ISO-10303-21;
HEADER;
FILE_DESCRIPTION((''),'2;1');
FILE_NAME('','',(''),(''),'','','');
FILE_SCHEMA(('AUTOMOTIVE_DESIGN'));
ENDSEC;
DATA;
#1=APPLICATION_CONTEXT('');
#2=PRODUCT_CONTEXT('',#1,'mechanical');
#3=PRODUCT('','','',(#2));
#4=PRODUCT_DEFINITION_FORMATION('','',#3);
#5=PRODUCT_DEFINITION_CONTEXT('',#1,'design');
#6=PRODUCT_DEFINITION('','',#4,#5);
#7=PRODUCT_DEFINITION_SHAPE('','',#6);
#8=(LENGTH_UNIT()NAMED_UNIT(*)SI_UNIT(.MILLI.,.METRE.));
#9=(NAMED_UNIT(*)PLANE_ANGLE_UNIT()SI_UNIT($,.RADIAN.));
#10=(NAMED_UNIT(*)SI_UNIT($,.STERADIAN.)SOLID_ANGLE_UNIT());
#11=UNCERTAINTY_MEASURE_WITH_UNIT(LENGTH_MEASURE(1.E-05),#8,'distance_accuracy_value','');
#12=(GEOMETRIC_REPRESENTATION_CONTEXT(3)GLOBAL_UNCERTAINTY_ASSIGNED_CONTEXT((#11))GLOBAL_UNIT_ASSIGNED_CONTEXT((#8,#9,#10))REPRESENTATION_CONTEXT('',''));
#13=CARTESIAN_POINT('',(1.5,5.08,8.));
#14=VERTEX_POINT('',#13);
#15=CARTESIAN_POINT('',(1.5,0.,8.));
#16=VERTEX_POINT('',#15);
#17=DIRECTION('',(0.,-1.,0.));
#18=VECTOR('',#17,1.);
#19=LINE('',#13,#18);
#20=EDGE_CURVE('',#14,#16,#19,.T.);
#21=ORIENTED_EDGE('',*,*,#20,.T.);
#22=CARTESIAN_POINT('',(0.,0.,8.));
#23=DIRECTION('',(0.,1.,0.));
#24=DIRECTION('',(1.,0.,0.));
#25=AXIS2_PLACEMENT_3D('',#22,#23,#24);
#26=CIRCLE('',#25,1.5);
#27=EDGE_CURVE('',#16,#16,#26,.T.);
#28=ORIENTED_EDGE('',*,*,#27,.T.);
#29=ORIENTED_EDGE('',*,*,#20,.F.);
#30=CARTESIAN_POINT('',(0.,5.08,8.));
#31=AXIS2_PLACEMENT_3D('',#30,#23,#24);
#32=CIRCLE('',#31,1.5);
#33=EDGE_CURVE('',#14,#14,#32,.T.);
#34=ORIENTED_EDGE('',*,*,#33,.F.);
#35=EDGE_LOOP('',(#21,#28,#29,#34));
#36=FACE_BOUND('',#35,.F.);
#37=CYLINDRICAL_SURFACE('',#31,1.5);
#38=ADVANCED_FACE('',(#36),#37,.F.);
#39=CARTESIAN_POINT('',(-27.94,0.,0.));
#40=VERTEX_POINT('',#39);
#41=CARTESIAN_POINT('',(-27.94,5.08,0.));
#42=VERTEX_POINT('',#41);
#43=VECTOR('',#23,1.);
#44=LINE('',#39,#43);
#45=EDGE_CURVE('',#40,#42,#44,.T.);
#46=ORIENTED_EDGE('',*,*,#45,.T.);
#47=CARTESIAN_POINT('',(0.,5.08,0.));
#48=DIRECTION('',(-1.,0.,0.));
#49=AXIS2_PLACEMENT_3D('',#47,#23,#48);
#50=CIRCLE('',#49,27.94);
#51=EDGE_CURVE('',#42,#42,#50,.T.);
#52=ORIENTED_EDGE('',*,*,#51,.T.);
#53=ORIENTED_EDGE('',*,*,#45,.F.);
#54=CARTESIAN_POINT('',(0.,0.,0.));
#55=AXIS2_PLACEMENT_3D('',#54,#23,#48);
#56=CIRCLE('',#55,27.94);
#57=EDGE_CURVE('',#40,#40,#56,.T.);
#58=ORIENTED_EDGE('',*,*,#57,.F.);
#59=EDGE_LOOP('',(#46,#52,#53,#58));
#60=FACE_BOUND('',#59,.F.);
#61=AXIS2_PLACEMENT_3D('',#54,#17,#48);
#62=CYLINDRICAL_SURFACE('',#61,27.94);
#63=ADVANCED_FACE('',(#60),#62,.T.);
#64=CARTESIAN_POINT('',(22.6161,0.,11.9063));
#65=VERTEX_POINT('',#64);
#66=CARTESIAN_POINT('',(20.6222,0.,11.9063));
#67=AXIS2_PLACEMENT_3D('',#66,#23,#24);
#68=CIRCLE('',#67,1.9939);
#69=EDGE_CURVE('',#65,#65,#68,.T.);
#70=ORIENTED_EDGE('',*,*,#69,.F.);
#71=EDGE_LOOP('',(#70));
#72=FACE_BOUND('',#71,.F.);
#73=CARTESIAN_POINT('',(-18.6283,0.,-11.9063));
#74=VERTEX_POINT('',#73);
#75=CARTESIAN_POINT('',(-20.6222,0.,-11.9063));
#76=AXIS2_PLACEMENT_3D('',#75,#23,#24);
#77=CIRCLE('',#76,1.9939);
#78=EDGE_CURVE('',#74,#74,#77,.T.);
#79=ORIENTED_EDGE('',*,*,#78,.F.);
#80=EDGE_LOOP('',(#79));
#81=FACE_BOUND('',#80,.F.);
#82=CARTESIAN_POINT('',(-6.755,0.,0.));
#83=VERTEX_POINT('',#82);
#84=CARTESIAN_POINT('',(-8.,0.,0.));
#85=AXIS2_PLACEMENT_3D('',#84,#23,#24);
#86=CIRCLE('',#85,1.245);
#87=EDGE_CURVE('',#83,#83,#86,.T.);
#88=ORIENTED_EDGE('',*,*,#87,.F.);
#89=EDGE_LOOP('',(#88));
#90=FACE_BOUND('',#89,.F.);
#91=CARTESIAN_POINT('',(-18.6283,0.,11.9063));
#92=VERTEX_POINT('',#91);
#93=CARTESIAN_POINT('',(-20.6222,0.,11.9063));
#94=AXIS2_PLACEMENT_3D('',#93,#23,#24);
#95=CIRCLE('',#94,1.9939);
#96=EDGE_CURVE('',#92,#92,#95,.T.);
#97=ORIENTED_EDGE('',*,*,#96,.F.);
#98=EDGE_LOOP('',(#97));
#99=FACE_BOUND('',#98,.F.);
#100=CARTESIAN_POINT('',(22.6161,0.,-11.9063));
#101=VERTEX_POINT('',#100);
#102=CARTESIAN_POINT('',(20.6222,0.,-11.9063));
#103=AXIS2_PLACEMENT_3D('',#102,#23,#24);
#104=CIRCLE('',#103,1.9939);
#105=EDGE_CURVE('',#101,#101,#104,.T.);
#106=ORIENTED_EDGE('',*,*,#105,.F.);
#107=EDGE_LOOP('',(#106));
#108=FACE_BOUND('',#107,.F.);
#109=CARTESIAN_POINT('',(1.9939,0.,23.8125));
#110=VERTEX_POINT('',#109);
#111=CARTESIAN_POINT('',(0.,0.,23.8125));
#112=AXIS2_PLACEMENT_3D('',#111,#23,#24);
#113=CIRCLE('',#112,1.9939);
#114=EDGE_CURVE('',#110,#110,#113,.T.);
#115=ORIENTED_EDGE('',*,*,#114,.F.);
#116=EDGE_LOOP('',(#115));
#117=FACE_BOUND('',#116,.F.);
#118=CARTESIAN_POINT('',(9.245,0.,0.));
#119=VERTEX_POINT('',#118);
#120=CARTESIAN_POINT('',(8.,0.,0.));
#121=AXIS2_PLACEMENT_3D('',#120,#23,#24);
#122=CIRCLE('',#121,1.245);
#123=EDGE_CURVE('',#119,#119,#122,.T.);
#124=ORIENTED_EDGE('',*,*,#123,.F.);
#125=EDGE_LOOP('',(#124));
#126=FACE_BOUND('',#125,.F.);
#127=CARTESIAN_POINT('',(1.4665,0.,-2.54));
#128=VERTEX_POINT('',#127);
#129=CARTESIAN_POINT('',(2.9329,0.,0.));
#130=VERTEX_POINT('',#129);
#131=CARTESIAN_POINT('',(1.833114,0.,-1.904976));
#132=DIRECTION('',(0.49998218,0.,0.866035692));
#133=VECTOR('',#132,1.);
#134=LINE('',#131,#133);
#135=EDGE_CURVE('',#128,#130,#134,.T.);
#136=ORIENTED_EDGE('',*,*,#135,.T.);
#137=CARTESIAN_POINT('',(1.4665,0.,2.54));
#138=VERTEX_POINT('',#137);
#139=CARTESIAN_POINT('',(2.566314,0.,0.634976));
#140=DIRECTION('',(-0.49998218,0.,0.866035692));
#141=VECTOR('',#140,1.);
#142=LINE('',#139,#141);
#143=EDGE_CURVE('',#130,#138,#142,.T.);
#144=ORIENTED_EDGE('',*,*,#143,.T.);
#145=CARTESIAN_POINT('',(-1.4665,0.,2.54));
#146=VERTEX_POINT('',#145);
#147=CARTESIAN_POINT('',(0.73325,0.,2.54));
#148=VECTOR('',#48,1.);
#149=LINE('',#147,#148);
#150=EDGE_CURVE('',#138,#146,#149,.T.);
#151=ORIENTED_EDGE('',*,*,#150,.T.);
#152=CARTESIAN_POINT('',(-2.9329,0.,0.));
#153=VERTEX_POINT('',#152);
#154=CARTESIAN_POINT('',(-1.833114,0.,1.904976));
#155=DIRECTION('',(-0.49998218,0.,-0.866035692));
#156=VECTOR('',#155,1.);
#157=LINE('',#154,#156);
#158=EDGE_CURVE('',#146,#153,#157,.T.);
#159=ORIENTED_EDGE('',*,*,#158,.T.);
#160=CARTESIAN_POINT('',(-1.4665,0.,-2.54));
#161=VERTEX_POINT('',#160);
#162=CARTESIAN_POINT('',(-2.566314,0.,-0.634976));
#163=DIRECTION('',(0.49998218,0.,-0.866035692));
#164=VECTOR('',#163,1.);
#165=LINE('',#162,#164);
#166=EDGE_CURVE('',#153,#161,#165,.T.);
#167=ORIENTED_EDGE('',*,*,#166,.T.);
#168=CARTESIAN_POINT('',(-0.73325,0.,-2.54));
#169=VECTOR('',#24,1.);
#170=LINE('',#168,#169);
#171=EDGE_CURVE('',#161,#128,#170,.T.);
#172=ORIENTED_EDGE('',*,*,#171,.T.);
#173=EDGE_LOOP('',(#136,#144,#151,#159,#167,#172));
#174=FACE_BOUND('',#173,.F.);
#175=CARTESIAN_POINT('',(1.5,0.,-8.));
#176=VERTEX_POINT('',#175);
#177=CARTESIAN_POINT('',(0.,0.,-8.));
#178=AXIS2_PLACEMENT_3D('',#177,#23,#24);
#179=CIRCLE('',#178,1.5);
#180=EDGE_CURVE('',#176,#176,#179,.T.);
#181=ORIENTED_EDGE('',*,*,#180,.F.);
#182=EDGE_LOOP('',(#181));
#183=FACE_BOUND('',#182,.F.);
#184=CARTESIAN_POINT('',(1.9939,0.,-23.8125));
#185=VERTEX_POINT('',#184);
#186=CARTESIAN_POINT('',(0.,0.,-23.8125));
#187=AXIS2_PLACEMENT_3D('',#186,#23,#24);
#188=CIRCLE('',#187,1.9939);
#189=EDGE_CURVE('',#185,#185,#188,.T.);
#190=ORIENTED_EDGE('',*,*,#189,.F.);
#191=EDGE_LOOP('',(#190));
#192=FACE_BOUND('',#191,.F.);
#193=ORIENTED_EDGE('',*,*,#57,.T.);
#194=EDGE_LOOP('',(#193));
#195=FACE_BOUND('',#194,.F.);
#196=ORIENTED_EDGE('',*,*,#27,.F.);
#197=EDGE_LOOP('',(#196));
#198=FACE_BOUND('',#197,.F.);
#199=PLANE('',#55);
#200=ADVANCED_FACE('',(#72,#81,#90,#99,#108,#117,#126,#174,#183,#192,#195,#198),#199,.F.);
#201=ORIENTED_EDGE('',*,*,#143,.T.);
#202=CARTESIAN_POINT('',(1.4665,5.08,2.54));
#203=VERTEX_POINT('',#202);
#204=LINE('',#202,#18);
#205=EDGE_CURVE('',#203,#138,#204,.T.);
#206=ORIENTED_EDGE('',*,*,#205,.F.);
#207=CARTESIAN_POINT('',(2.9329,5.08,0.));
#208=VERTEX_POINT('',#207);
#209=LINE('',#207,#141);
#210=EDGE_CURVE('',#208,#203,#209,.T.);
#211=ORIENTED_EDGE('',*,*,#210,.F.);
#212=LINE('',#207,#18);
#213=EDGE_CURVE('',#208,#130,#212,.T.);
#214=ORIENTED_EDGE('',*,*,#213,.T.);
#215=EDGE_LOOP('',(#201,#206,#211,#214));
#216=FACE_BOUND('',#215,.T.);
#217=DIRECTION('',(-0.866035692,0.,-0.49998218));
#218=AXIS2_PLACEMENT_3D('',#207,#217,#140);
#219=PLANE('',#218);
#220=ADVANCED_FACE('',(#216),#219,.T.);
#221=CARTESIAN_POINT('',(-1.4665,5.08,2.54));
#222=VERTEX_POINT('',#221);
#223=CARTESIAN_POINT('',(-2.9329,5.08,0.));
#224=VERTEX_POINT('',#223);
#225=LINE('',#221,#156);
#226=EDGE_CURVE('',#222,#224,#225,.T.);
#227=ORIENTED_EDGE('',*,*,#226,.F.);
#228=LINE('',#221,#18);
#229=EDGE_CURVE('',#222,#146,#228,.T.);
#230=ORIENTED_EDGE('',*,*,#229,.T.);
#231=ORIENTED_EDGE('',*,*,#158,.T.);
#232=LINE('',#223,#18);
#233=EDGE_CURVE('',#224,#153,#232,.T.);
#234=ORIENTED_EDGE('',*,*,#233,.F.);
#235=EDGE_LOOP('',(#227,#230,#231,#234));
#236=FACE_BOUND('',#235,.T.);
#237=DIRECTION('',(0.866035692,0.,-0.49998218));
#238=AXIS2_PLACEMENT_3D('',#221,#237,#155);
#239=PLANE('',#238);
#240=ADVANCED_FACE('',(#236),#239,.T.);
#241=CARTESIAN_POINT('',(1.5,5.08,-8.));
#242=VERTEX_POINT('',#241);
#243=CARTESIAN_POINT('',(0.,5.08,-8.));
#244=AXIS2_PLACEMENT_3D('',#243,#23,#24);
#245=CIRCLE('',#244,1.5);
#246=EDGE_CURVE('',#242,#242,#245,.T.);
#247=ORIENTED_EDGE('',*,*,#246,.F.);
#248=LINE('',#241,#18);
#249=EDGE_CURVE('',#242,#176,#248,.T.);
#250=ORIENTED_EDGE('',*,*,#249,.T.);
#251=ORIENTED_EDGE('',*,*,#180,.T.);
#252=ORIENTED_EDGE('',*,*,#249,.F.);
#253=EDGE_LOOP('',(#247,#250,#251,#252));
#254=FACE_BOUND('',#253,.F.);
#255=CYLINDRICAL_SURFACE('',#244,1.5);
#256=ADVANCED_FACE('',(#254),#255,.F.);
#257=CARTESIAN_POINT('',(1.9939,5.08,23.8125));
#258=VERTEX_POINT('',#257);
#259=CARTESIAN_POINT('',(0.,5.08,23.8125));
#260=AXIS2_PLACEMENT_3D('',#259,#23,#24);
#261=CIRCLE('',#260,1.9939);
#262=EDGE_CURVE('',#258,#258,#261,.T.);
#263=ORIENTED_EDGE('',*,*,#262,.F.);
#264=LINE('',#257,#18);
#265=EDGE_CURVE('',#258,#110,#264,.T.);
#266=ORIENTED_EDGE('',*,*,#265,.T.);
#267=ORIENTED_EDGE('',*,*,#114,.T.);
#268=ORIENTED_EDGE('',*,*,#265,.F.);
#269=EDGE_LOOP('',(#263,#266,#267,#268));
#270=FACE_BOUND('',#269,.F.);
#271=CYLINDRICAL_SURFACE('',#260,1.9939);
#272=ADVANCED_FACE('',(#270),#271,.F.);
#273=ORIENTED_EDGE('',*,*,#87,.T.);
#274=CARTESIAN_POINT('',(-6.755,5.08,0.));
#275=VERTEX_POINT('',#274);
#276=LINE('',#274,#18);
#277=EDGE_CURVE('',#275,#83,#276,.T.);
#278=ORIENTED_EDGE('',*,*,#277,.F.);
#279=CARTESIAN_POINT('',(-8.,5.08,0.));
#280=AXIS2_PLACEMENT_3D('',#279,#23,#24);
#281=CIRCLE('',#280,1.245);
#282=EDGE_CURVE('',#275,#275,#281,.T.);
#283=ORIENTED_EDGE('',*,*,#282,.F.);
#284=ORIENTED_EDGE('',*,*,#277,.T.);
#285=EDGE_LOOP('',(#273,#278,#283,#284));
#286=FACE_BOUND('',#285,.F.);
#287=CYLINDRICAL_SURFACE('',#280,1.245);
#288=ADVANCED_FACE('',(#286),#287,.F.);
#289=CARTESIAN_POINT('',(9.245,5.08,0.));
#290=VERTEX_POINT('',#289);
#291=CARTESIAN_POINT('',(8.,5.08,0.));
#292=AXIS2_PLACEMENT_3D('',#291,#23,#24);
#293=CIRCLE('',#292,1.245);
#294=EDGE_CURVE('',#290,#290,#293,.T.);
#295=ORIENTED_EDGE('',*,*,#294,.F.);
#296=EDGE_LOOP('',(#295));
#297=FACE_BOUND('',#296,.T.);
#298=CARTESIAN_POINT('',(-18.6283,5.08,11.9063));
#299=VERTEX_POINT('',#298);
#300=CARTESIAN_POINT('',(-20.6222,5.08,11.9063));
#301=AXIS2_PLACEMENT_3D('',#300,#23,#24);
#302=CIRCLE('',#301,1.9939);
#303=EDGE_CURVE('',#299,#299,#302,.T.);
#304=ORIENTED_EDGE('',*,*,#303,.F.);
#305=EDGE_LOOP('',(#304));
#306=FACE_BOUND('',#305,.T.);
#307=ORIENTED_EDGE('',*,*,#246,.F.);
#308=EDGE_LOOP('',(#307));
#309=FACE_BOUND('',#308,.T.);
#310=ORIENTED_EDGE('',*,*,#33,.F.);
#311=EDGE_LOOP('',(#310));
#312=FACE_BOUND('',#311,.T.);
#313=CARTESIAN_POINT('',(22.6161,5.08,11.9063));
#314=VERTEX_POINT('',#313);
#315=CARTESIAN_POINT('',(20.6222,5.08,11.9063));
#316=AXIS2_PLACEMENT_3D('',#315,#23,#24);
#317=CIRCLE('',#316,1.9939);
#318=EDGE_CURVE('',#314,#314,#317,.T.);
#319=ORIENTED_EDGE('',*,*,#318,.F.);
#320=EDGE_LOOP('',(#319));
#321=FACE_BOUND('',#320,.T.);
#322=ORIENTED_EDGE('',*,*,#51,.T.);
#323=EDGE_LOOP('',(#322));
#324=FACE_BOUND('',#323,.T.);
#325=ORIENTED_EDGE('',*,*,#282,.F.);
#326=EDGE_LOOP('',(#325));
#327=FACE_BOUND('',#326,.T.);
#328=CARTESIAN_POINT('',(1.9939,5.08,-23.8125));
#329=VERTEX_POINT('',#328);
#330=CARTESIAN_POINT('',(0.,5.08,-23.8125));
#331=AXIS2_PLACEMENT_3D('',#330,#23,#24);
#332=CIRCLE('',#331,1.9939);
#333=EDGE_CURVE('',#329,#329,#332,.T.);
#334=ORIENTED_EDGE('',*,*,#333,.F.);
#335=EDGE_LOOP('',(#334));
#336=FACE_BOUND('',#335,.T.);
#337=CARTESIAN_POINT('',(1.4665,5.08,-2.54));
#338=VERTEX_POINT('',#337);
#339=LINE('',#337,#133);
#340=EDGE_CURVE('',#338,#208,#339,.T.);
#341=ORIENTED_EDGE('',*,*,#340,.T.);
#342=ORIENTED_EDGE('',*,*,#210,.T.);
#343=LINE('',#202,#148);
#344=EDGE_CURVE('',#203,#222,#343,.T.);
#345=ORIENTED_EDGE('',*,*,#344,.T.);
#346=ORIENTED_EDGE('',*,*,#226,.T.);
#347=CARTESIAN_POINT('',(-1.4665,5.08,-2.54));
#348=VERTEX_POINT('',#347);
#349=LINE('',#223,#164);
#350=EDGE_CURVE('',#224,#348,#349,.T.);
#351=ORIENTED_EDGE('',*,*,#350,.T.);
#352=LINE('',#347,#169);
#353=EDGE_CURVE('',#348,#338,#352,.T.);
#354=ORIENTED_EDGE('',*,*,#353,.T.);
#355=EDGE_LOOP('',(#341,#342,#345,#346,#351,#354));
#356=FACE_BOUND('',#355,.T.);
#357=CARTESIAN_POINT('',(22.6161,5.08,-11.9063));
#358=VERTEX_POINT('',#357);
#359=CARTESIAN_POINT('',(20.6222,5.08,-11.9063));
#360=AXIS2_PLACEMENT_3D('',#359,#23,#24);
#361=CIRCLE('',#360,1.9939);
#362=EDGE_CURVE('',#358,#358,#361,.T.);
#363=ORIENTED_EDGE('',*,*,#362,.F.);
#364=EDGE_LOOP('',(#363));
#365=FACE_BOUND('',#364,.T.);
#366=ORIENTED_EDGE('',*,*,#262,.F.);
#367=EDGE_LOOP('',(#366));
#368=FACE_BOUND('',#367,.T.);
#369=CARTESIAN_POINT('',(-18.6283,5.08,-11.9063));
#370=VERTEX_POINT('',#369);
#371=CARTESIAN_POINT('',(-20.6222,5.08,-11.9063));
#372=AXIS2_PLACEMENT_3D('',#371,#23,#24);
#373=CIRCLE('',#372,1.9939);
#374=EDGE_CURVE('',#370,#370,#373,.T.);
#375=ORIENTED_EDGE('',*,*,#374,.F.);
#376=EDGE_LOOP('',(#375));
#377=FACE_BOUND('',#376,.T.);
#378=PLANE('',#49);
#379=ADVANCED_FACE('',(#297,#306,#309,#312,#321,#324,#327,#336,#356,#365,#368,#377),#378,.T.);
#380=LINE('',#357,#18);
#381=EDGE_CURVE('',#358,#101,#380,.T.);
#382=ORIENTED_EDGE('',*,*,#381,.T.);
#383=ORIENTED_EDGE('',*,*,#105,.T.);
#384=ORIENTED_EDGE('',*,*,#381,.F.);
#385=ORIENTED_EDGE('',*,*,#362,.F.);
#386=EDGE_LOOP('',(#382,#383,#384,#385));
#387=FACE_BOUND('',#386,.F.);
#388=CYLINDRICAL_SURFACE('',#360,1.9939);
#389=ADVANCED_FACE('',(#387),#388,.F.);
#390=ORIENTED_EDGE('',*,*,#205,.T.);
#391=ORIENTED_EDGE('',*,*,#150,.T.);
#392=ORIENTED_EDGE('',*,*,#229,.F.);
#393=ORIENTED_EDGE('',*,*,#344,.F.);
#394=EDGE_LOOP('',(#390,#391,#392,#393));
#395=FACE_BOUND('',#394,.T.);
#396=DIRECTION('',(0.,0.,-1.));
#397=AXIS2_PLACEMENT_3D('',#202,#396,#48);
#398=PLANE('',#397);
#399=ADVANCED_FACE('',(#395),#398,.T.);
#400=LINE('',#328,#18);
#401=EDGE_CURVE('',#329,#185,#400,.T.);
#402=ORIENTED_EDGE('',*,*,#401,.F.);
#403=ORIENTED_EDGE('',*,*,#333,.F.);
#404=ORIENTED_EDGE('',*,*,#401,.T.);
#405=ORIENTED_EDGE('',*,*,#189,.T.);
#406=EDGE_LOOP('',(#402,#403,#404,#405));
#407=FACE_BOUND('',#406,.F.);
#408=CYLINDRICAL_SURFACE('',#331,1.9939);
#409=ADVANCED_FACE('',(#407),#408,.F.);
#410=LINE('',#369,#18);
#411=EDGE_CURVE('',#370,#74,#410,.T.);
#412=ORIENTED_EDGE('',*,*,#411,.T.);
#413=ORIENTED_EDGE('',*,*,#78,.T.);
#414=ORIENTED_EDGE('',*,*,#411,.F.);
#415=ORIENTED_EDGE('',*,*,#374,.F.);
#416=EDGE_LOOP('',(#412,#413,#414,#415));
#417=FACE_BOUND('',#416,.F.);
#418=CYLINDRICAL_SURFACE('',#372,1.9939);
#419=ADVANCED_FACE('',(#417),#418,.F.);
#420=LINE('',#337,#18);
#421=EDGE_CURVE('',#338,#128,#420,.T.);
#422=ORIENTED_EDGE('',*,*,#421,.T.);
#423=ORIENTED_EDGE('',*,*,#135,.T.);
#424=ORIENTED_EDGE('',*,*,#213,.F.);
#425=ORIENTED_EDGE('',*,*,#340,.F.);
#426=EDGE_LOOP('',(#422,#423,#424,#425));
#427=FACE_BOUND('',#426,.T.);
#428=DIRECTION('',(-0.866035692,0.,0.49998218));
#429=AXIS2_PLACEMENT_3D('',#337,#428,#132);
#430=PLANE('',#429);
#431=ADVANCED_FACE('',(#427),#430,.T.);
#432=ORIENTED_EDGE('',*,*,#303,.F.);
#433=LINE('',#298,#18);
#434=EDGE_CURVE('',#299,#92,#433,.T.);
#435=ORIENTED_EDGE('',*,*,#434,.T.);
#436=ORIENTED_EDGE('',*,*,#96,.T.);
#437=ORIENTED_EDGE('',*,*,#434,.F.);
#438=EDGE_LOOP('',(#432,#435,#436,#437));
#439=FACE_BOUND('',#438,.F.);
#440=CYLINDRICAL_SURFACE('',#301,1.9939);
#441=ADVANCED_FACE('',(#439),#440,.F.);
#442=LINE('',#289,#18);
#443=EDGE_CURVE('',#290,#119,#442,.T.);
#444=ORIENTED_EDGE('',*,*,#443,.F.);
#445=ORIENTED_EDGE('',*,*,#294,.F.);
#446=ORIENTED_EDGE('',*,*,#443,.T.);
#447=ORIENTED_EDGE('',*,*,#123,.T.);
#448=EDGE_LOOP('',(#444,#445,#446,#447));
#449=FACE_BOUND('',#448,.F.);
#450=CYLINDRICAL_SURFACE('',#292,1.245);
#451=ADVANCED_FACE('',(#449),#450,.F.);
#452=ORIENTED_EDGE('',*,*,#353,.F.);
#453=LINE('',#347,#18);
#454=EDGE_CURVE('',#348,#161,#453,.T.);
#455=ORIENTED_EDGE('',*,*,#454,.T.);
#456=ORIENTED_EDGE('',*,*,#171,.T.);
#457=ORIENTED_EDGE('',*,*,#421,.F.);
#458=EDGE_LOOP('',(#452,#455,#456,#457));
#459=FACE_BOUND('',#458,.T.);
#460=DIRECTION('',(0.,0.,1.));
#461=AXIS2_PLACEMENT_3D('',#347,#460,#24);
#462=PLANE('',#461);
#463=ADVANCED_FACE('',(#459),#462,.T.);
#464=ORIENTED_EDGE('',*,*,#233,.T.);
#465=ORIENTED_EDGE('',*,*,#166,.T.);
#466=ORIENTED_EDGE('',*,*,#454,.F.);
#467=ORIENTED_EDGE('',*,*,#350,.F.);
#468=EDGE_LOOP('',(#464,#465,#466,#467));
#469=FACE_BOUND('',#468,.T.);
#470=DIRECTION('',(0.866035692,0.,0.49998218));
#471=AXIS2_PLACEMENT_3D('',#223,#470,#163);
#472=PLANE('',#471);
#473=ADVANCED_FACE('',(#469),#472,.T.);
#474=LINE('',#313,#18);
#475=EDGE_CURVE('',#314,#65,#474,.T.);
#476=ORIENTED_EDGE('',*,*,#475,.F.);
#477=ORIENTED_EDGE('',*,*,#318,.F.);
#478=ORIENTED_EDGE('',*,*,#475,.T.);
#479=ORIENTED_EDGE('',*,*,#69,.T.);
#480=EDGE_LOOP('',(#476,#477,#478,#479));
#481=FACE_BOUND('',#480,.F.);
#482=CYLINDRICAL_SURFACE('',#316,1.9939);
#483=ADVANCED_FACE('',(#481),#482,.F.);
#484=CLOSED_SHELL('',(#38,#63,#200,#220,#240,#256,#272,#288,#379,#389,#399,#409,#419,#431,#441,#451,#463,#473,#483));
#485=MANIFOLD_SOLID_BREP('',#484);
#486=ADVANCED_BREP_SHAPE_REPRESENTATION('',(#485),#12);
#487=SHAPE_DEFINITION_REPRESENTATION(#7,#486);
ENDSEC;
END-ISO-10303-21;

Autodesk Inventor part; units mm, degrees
ref_plane "YZ Plane" through (0, 0, 0) normal (1, 0, 0) x (0, 1, 0)
ref_plane "XZ Plane" through (0, 0, 0) normal (0, 1, 0) x (-1, 0, 0)
ref_plane "XY Plane" through (0, 0, 0) normal (0, 0, 1) x (1, 0, 0)
sketch "Sketch1" plane through (0, 0, 0) normal (0, 1, 0) x (-1, 0, 0)
  circle A0 centre (0, 0) radius 27.94
  dimension "d0" = 55.88
extrude "Extrusion1" add sketch "Sketch1" along normal blind 5.08
sketch "Sketch6" plane through (0, 5.08, 0) normal (0, 1, 0) x (1, 0, 0)
  circle A0 centre (0, 23.8125) radius 1.9939
  circle A1 centre (20.6222, 11.9063) radius 1.9939
  circle A2 centre (20.6222, -11.9063) radius 1.9939
  circle A3 centre (0, -23.8125) radius 1.9939
  circle A4 centre (-20.6222, -11.9063) radius 1.9939
  circle A5 centre (-20.6222, 11.9063) radius 1.9939
  point P0 (0, 0)
  point P1 (0, 0)
extrude "Extrusion5" cut sketch "Sketch6" against normal blind 25.4
sketch "Sketch12" plane through (0, 5.08, 0) normal (0, 1, 0) x (1, 0, 0)
  circle A0 centre (0, 0) radius 27.94 projected
  line L0 (2.9329, 0) -> (1.4665, -2.54)
  line L1 (1.4665, -2.54) -> (-1.4665, -2.54)
  line L2 (-1.4665, -2.54) -> (-2.9329, 0)
  line L3 (-2.9329, 0) -> (-1.4665, 2.54)
  line L4 (-1.4665, 2.54) -> (1.4665, 2.54)
  line L5 (1.4665, 2.54) -> (2.9329, 0)
  circle A1 centre (-8, 0) radius 1.245
  circle A2 centre (8, 0) radius 1.245
  circle A3 centre (0, 8) radius 1.5
  circle A4 centre (0, -8) radius 1.5
  point P0 (0, 0)
  dimension "d33" = 5.08
extrude "Extrusion9" cut sketch "Sketch12" against normal blind 25.4 contours L0 L1 L2 L3 L4 L5 | A1 | A2 | A3 | A4
properties part number "WheelMount_v2_vCAD"
